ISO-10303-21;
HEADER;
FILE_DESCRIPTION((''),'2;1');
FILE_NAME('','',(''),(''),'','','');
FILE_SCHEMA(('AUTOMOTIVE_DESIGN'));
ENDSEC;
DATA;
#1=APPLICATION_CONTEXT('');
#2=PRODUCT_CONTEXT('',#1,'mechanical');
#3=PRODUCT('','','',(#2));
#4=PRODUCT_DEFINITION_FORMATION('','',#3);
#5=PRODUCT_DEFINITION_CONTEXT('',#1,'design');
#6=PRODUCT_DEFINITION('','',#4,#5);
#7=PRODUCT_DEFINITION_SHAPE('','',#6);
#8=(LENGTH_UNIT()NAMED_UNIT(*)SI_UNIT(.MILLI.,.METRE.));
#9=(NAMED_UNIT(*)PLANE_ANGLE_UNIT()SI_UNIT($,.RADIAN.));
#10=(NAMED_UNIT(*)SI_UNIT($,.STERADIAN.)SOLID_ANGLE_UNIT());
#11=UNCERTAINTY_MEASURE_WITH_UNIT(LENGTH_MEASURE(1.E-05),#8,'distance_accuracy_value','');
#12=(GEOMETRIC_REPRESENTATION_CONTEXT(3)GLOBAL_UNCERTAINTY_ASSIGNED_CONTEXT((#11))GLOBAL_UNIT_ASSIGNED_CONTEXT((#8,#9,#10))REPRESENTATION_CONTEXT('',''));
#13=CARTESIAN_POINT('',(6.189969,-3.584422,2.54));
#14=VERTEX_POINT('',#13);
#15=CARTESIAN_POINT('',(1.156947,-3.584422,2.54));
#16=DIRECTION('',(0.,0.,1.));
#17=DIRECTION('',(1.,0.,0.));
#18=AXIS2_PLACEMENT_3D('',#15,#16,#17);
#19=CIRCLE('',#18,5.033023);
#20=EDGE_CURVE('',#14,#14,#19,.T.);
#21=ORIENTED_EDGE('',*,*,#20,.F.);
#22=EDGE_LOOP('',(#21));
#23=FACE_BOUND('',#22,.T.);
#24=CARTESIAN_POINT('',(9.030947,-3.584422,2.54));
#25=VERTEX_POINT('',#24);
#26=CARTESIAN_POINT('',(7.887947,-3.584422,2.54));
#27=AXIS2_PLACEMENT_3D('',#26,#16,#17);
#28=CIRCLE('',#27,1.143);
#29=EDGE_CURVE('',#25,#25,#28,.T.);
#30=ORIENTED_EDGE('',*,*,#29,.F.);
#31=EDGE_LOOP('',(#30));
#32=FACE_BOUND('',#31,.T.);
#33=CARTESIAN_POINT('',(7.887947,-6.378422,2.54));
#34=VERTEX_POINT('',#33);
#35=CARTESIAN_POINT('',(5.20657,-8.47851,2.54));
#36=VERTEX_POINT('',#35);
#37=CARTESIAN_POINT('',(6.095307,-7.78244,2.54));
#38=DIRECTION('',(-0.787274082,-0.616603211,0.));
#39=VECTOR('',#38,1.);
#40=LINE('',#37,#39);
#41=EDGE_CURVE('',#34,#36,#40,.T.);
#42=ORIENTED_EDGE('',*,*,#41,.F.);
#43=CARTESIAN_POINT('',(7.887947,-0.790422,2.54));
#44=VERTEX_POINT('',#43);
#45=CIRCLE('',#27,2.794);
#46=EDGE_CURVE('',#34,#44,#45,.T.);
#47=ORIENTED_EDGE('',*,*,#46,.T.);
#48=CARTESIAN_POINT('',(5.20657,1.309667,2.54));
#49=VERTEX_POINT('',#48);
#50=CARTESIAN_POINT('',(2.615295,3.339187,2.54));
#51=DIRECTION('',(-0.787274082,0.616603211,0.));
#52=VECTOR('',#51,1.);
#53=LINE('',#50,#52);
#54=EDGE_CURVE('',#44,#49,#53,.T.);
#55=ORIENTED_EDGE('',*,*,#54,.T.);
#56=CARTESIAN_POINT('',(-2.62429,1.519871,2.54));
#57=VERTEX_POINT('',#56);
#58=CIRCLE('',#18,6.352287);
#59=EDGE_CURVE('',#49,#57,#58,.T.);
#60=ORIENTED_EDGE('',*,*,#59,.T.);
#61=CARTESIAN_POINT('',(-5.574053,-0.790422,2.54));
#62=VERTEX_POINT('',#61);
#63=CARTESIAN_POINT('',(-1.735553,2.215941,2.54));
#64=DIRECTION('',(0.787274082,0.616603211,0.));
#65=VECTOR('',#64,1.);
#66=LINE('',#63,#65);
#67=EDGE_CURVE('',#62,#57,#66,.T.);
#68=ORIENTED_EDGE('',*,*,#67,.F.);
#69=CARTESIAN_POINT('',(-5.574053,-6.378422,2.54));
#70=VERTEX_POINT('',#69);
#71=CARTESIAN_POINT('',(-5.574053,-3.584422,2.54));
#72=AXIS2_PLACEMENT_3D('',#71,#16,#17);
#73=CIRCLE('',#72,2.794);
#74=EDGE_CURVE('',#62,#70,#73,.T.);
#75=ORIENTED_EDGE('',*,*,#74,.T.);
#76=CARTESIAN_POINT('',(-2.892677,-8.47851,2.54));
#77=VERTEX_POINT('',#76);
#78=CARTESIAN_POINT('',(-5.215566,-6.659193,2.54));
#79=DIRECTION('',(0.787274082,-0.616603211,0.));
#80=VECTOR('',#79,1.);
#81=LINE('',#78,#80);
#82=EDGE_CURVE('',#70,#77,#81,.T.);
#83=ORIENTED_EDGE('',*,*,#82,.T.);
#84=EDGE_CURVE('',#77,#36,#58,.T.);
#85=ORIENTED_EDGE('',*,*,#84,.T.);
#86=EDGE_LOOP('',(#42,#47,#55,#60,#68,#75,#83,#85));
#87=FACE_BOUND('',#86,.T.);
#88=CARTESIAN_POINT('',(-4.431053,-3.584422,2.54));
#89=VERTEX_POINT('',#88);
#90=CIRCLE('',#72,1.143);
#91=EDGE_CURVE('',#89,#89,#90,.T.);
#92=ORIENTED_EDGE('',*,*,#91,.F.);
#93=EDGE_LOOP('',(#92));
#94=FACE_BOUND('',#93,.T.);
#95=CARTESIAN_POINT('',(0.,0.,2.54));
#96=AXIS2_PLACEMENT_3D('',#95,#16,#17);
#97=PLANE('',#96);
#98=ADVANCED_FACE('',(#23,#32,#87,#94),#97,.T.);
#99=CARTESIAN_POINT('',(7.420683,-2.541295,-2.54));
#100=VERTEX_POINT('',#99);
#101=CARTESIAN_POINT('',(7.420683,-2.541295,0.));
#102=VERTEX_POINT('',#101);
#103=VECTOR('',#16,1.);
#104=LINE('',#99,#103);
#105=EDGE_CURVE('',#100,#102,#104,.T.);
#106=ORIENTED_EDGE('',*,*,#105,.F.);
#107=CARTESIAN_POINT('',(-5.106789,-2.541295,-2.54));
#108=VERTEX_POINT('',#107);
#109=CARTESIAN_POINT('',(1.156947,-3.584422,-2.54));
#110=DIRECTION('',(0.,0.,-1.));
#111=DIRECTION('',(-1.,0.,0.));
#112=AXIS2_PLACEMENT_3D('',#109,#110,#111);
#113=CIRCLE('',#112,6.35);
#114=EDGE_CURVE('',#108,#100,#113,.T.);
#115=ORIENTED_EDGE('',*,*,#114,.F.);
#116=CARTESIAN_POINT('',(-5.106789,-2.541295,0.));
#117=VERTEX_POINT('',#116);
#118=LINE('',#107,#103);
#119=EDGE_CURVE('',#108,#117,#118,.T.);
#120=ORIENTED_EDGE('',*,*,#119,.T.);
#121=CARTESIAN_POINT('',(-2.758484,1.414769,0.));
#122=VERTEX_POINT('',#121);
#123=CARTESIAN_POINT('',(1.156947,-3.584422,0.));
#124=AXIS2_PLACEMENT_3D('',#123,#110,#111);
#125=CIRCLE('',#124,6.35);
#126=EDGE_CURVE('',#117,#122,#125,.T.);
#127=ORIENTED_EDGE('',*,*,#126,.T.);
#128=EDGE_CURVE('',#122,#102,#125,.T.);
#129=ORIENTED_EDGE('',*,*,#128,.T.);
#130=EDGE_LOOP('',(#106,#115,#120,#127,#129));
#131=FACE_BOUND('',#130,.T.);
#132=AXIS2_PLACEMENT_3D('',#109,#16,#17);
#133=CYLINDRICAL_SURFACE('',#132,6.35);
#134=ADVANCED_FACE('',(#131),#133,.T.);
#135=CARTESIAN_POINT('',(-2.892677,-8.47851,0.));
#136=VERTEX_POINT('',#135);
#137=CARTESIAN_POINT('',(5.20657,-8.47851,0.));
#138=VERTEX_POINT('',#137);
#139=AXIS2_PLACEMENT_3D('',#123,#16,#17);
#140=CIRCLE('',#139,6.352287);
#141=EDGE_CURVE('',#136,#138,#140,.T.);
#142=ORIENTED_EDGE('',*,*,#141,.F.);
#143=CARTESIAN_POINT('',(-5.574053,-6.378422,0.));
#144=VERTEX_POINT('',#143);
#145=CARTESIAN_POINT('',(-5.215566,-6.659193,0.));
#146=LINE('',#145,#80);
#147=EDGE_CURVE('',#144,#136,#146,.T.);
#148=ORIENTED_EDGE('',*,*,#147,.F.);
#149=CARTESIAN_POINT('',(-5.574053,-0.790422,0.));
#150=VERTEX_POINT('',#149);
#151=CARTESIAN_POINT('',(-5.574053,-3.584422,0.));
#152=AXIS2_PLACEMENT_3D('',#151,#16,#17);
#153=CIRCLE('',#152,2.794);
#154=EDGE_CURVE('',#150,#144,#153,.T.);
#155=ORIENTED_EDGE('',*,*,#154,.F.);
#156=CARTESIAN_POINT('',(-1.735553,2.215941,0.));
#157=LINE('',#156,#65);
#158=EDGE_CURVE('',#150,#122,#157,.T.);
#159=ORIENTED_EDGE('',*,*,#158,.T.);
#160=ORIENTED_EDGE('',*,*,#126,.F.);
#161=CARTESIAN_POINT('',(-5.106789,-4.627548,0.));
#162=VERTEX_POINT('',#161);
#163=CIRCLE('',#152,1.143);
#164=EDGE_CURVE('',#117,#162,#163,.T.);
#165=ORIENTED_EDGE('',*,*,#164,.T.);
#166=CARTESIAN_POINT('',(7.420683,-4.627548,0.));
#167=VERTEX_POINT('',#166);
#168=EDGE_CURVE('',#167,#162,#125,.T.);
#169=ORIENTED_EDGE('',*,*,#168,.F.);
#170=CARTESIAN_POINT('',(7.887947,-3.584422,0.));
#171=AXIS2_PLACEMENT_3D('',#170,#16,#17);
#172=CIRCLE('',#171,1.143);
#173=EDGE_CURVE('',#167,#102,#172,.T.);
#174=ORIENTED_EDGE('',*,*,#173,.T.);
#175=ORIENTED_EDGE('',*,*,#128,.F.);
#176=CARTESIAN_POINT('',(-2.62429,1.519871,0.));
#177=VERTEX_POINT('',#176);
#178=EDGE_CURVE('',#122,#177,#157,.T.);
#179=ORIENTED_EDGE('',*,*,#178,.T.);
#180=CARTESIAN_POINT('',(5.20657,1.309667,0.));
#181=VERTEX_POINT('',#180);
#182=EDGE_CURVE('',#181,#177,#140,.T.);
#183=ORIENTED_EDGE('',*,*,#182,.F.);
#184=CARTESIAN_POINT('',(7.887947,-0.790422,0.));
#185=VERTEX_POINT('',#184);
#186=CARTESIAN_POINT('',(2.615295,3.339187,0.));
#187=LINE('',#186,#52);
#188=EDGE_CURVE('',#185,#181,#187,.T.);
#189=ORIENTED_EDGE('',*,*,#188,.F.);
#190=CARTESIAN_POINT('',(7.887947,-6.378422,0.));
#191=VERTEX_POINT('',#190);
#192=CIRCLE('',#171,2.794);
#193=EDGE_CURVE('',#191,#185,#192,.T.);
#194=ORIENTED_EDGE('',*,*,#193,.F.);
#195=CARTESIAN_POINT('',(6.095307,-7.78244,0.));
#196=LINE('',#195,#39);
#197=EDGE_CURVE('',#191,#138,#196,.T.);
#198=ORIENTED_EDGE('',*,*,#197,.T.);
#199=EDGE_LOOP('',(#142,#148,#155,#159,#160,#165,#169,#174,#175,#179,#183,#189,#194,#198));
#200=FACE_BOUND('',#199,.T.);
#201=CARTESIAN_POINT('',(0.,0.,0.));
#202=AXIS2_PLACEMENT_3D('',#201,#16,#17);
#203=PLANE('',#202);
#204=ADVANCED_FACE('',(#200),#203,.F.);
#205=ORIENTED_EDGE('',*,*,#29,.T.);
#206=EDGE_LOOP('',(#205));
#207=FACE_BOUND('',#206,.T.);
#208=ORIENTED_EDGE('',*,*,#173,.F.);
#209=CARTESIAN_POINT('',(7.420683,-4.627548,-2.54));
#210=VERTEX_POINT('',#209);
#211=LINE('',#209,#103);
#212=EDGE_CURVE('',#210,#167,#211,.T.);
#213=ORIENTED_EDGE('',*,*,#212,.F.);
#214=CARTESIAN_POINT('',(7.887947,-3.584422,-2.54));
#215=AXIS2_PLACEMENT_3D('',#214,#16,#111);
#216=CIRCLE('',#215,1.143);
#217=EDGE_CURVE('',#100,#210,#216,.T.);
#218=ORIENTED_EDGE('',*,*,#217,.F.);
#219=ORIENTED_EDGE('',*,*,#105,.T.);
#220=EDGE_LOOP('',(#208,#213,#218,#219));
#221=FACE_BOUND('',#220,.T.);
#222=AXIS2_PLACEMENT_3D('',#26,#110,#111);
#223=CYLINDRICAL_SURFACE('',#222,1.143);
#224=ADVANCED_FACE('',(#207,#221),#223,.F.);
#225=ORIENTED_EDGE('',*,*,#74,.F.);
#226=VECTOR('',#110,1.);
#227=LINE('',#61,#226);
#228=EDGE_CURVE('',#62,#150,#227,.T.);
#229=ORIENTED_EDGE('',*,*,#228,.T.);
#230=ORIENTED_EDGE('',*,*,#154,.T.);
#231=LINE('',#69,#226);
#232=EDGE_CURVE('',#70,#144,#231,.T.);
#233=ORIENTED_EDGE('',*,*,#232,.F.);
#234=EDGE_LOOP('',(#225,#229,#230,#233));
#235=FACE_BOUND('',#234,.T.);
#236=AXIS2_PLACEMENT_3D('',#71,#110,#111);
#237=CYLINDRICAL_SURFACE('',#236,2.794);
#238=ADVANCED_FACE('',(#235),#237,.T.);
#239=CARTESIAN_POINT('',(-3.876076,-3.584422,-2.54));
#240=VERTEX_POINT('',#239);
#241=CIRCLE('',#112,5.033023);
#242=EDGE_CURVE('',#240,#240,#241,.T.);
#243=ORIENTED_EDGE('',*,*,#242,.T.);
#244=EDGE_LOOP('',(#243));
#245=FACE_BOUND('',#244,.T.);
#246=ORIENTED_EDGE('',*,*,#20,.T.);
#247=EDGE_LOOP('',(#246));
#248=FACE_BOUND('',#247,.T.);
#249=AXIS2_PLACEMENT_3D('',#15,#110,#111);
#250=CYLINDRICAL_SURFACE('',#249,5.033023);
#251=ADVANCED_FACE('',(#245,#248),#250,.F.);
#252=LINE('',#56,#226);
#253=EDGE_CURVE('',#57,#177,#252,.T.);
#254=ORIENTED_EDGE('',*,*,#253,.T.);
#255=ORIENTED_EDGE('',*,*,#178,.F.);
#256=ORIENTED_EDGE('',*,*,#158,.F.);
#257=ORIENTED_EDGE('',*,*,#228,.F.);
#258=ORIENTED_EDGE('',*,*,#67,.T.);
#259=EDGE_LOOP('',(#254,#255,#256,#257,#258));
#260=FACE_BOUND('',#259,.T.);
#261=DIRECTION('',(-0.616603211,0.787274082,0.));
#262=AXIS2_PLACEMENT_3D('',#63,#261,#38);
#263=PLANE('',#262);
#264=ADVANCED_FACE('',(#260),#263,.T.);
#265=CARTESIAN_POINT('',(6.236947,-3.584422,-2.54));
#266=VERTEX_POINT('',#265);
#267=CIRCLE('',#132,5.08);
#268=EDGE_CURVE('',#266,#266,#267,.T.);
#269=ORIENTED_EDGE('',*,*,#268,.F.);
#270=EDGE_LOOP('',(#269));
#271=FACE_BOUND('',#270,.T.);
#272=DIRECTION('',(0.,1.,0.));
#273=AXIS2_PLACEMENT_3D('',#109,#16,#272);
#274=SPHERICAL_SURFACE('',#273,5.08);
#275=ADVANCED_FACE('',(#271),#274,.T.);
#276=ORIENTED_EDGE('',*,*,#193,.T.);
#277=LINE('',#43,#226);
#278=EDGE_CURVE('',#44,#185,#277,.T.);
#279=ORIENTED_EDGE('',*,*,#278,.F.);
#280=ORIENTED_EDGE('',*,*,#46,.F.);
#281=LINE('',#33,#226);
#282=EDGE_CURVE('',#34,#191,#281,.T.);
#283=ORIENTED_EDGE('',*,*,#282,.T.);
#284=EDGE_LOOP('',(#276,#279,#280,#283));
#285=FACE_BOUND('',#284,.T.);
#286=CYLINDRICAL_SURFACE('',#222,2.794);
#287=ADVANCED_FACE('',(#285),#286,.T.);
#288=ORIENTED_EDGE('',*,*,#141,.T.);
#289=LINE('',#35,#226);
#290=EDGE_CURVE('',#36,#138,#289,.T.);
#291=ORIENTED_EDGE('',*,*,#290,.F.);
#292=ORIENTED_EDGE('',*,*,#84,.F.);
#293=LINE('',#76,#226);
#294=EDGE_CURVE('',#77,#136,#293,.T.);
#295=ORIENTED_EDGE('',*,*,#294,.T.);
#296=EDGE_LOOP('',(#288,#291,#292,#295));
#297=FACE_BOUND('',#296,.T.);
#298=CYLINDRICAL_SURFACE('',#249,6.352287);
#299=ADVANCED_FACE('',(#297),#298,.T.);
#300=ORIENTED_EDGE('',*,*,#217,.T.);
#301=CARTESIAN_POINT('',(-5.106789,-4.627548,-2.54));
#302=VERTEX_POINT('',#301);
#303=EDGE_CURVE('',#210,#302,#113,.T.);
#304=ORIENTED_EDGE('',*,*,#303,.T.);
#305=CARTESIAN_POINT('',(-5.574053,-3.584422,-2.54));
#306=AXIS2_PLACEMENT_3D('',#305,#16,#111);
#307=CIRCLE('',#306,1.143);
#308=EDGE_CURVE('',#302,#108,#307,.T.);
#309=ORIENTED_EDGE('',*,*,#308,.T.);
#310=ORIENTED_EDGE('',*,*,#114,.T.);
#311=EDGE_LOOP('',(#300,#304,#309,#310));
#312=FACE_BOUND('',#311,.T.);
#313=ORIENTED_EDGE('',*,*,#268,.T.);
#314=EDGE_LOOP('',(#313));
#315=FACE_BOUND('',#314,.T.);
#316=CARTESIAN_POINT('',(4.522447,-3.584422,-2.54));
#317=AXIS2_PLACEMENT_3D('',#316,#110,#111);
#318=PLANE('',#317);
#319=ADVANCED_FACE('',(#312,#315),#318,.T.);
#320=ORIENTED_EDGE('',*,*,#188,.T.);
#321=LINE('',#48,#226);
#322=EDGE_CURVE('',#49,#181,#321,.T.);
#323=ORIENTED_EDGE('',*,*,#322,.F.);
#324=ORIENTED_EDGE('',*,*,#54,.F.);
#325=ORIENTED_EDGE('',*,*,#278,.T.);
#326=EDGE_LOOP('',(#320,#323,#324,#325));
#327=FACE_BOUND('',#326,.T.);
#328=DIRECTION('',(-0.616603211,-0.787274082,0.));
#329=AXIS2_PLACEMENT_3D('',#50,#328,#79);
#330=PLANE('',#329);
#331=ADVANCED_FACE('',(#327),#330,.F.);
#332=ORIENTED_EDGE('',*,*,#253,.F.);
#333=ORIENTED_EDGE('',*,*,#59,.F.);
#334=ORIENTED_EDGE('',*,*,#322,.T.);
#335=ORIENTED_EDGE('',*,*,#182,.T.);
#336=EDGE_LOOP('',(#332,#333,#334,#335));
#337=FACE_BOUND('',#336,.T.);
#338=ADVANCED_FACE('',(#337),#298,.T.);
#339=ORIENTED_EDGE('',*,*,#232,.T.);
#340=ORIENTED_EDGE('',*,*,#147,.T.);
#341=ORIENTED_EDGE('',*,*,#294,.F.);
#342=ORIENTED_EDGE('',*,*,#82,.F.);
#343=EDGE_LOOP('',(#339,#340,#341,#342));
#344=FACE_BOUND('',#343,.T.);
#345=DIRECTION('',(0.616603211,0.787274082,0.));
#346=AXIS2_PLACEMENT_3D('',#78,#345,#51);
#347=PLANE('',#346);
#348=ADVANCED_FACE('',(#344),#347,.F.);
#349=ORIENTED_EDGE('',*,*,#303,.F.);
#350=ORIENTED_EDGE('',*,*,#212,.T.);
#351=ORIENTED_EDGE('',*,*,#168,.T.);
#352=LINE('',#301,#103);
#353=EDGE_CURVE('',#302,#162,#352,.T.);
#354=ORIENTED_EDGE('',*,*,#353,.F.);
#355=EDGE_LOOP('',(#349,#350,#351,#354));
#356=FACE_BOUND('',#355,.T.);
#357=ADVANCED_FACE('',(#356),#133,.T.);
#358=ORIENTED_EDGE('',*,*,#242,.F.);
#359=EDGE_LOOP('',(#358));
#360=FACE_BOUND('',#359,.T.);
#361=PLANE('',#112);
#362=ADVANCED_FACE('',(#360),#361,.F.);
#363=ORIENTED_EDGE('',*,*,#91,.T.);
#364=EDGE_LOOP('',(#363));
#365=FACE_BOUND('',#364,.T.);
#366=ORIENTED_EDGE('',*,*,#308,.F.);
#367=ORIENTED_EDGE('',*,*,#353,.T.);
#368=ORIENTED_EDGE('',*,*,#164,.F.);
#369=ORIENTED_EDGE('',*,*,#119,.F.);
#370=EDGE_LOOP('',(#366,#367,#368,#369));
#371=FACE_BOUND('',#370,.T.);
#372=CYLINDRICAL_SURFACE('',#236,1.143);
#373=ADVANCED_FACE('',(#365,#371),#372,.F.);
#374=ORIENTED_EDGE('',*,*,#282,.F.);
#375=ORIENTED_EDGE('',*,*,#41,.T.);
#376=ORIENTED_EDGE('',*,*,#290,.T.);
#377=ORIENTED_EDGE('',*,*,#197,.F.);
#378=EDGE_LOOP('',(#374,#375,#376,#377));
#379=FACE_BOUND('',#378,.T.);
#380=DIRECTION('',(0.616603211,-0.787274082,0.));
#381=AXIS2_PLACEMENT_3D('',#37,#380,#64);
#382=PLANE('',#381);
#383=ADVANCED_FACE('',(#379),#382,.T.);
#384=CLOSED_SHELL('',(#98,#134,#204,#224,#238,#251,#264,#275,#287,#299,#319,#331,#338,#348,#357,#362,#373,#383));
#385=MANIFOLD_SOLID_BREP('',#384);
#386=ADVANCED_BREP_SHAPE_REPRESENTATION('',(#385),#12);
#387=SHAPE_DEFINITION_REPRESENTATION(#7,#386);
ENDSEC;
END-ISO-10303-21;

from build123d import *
from build123d.topology import SkipClean

# Parameters (mm, degrees)
SKETCH1_R           = 1.143
SKETCH1_R_2         = 5.0330227
BOSS_EXTRUDE1_DEPTH = 2.54
BOSS_EXTRUDE2_START = 2.54
SKETCH2_R           = 5.0330227
BOSS_EXTRUDE2_DEPTH = 2.54


with BuildPart() as part:
    # Sketch1 → Boss-Extrude1 (new body)
    with BuildSketch(Plane.XY):
        with BuildLine():
            ThreePointArc((-5.574053245, -0.790421797), (-8.368053245, -3.584421797), (-5.574053245, -6.378421797))
            Line((-5.574053245, -6.378421797), (-2.89267695, -8.478510283))
            ThreePointArc((-2.89267695, -8.478510283), (1.156946755, -9.936709122), (5.206570461, -8.478510283))
            Line((5.206570461, -8.478510283), (7.887946755, -6.378421797))
            ThreePointArc((7.887946755, -6.378421797), (10.681946755, -3.584421797), (7.887946755, -0.790421797))
            Line((7.887946755, -0.790421797), (5.206570461, 1.309666689))
            ThreePointArc((5.206570461, 1.309666689), (1.327399862, 2.765578203), (-2.624290324, 1.519870555))
            Line((-2.624290324, 1.519870555), (-2.758483637, 1.414768622))
            Line((-2.758483637, 1.414768622), (-5.574053245, -0.790421797))
        make_face()
        with Locations((-5.574053245, -3.584421797)):
            Circle(SKETCH1_R, mode=Mode.SUBTRACT)
        with Locations((7.887946755, -3.584421797)):
            Circle(SKETCH1_R, mode=Mode.SUBTRACT)
        with Locations((1.156946755, -3.584421797)):
            Circle(SKETCH1_R_2, mode=Mode.SUBTRACT)
    extrude(amount=BOSS_EXTRUDE1_DEPTH)

    # Sketch2 → Boss-Extrude2 (add)
    with SkipClean():  # the faces are left unmerged after this step: merging them gives an invalid solid
        with BuildSketch(Plane(origin=(0, 0, 0), x_dir=(-1, 0, 0), z_dir=(0, 0, -1)).offset(BOSS_EXTRUDE2_START)):
            with BuildLine():
                ThreePointArc((5.106789094, -2.541295144), (-1.156946755, 2.765578203), (-7.420682604, -2.541295144))
                ThreePointArc((-7.420682604, -2.541295144), (-6.744946755, -3.584421797), (-7.420682604, -4.62754845))
                ThreePointArc((-7.420682604, -4.62754845), (-1.156946755, -9.934421797), (5.106789094, -4.62754845))
                ThreePointArc((5.106789094, -4.62754845), (4.431053245, -3.584421797), (5.106789094, -2.541295144))
            make_face()
            with Locations((-1.156946755, -3.584421797)):
                Circle(SKETCH2_R, mode=Mode.SUBTRACT)
        extrude(amount=-BOSS_EXTRUDE2_DEPTH)

    # Sketch5 → Revolve1 (revolve)
    with SkipClean():  # the faces are left unmerged after this step: merging them gives an invalid solid
        with BuildSketch(Plane(origin=(1.156946755, 0, 0), x_dir=(0, 0, -1), z_dir=(1, 0, 0))):
            with BuildLine():
                Line((2.54, -3.584421797), (7.62, -3.584421797))
                ThreePointArc((7.62, -3.584421797), (6.132102448, 0.007680651), (2.54, 1.495578203))
                Line((2.54, 1.495578203), (2.54, -3.584421797))
            make_face()
        revolve(axis=Axis((1.156946755, -3.584421797, -2.54), (0, 0, -1)))


solid = part.part
